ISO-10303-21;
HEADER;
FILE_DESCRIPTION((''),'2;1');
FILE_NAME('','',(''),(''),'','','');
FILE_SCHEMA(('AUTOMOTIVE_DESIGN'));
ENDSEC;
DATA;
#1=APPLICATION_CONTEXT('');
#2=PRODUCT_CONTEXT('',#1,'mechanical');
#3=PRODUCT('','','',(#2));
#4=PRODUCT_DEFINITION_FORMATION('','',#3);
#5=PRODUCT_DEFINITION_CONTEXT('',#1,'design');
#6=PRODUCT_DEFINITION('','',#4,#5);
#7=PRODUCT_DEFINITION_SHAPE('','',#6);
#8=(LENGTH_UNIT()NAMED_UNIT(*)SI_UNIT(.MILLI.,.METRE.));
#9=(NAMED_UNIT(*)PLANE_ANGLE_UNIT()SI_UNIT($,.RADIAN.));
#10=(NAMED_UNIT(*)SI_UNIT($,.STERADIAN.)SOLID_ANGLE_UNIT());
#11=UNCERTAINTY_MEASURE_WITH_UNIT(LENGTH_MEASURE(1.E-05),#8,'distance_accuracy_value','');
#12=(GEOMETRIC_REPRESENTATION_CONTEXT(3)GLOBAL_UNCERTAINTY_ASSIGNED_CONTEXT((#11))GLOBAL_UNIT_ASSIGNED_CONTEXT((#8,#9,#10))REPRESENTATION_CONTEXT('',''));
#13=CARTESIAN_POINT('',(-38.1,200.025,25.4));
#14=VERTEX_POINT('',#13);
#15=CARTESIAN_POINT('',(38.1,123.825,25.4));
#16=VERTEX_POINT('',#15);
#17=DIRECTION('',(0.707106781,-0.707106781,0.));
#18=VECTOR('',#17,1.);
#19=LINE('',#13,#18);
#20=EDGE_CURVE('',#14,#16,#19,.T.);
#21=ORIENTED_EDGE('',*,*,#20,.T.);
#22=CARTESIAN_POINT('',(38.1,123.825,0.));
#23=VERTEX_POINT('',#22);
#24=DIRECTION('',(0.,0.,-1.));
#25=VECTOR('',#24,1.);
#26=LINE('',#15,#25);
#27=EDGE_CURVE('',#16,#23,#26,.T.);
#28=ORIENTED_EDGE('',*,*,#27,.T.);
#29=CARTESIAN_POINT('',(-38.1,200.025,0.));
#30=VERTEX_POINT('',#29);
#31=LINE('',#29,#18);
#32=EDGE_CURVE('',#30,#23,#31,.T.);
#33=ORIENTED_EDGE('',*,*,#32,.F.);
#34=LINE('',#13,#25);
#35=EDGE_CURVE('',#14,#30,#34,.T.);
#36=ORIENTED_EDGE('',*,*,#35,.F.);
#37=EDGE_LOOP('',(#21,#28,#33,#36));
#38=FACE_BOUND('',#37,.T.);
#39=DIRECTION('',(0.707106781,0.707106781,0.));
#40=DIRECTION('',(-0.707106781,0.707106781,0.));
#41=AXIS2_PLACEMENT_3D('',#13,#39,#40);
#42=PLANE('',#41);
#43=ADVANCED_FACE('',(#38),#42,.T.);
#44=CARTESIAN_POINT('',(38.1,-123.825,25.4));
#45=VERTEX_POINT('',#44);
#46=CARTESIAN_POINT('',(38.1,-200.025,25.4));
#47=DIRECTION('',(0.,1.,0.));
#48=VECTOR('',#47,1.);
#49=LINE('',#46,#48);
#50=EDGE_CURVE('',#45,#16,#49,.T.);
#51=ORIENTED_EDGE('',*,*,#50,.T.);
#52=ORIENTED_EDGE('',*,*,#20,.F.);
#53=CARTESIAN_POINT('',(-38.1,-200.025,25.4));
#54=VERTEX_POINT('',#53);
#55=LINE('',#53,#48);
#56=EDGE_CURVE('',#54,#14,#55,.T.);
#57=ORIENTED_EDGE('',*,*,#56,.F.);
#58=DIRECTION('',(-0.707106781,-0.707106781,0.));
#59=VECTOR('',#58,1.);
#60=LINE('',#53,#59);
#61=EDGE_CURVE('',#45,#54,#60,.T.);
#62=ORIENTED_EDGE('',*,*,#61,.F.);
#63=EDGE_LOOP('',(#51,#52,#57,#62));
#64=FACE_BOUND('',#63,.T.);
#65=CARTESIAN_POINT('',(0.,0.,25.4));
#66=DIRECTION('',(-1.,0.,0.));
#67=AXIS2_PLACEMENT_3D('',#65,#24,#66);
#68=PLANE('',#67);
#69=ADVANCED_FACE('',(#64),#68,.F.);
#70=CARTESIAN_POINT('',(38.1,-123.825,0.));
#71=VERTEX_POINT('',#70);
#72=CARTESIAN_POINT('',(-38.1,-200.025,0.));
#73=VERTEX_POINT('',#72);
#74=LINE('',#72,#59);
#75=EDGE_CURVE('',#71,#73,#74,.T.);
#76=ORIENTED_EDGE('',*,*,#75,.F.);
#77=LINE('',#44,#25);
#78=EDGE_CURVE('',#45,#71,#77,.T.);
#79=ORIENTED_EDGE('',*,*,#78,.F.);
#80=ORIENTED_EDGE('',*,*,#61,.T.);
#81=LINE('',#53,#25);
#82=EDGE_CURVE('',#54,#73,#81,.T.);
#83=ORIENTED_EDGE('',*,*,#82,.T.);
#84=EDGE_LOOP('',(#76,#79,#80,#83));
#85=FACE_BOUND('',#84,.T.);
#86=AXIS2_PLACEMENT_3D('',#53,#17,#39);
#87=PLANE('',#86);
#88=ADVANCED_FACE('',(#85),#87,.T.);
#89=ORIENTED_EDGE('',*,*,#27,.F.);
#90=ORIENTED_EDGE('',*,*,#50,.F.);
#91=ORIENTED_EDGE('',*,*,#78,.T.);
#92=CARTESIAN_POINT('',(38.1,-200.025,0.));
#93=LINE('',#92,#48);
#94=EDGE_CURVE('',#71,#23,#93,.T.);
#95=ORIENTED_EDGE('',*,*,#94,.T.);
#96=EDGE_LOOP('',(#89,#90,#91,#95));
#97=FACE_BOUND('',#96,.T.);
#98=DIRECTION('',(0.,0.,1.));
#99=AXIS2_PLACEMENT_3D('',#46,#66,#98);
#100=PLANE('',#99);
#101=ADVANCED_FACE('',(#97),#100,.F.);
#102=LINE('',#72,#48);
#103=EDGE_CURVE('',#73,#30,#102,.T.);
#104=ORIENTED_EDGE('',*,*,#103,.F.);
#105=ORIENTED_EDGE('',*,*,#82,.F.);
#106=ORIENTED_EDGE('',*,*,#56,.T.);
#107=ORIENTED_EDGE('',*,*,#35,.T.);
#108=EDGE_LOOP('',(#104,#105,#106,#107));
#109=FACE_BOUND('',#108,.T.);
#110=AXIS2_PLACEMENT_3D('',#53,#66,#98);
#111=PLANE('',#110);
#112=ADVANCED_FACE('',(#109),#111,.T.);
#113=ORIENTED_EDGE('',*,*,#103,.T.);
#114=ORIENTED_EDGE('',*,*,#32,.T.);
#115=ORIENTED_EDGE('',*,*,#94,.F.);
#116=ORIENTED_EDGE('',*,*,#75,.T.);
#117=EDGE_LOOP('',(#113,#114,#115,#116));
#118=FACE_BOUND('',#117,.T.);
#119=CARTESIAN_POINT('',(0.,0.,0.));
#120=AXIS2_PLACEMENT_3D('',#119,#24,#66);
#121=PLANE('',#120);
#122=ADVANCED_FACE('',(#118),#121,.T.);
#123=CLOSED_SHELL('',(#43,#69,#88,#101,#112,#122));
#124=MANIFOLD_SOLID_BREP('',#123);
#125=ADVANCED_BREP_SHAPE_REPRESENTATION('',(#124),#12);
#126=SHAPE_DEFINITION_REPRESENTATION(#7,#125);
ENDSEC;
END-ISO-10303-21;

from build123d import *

# Parameters (mm, degrees)
SKETCH1_W           = 76.2
SKETCH1_H           = 400.05
BOSS_EXTRUDE1_DEPTH = 25.4
CUT_EXTRUDE1_DEPTH  = 25.4


with BuildPart() as part:
    # Sketch1 → Boss-Extrude1 (new body)
    with BuildSketch(Plane.XY):
        Rectangle(SKETCH1_W, SKETCH1_H)
    extrude(amount=BOSS_EXTRUDE1_DEPTH)

    # Sketch2 → Cut-Extrude1 (cut)
    with BuildSketch(Plane.XY):
        Polygon((-38.1, 200.025), (38.1, 123.825), (38.1, 200.025), align=None)
        Polygon((-38.1, -200.025), (38.1, -123.825), (38.1, -200.025), align=None)
    extrude(amount=CUT_EXTRUDE1_DEPTH, mode=Mode.SUBTRACT)


solid = part.part
